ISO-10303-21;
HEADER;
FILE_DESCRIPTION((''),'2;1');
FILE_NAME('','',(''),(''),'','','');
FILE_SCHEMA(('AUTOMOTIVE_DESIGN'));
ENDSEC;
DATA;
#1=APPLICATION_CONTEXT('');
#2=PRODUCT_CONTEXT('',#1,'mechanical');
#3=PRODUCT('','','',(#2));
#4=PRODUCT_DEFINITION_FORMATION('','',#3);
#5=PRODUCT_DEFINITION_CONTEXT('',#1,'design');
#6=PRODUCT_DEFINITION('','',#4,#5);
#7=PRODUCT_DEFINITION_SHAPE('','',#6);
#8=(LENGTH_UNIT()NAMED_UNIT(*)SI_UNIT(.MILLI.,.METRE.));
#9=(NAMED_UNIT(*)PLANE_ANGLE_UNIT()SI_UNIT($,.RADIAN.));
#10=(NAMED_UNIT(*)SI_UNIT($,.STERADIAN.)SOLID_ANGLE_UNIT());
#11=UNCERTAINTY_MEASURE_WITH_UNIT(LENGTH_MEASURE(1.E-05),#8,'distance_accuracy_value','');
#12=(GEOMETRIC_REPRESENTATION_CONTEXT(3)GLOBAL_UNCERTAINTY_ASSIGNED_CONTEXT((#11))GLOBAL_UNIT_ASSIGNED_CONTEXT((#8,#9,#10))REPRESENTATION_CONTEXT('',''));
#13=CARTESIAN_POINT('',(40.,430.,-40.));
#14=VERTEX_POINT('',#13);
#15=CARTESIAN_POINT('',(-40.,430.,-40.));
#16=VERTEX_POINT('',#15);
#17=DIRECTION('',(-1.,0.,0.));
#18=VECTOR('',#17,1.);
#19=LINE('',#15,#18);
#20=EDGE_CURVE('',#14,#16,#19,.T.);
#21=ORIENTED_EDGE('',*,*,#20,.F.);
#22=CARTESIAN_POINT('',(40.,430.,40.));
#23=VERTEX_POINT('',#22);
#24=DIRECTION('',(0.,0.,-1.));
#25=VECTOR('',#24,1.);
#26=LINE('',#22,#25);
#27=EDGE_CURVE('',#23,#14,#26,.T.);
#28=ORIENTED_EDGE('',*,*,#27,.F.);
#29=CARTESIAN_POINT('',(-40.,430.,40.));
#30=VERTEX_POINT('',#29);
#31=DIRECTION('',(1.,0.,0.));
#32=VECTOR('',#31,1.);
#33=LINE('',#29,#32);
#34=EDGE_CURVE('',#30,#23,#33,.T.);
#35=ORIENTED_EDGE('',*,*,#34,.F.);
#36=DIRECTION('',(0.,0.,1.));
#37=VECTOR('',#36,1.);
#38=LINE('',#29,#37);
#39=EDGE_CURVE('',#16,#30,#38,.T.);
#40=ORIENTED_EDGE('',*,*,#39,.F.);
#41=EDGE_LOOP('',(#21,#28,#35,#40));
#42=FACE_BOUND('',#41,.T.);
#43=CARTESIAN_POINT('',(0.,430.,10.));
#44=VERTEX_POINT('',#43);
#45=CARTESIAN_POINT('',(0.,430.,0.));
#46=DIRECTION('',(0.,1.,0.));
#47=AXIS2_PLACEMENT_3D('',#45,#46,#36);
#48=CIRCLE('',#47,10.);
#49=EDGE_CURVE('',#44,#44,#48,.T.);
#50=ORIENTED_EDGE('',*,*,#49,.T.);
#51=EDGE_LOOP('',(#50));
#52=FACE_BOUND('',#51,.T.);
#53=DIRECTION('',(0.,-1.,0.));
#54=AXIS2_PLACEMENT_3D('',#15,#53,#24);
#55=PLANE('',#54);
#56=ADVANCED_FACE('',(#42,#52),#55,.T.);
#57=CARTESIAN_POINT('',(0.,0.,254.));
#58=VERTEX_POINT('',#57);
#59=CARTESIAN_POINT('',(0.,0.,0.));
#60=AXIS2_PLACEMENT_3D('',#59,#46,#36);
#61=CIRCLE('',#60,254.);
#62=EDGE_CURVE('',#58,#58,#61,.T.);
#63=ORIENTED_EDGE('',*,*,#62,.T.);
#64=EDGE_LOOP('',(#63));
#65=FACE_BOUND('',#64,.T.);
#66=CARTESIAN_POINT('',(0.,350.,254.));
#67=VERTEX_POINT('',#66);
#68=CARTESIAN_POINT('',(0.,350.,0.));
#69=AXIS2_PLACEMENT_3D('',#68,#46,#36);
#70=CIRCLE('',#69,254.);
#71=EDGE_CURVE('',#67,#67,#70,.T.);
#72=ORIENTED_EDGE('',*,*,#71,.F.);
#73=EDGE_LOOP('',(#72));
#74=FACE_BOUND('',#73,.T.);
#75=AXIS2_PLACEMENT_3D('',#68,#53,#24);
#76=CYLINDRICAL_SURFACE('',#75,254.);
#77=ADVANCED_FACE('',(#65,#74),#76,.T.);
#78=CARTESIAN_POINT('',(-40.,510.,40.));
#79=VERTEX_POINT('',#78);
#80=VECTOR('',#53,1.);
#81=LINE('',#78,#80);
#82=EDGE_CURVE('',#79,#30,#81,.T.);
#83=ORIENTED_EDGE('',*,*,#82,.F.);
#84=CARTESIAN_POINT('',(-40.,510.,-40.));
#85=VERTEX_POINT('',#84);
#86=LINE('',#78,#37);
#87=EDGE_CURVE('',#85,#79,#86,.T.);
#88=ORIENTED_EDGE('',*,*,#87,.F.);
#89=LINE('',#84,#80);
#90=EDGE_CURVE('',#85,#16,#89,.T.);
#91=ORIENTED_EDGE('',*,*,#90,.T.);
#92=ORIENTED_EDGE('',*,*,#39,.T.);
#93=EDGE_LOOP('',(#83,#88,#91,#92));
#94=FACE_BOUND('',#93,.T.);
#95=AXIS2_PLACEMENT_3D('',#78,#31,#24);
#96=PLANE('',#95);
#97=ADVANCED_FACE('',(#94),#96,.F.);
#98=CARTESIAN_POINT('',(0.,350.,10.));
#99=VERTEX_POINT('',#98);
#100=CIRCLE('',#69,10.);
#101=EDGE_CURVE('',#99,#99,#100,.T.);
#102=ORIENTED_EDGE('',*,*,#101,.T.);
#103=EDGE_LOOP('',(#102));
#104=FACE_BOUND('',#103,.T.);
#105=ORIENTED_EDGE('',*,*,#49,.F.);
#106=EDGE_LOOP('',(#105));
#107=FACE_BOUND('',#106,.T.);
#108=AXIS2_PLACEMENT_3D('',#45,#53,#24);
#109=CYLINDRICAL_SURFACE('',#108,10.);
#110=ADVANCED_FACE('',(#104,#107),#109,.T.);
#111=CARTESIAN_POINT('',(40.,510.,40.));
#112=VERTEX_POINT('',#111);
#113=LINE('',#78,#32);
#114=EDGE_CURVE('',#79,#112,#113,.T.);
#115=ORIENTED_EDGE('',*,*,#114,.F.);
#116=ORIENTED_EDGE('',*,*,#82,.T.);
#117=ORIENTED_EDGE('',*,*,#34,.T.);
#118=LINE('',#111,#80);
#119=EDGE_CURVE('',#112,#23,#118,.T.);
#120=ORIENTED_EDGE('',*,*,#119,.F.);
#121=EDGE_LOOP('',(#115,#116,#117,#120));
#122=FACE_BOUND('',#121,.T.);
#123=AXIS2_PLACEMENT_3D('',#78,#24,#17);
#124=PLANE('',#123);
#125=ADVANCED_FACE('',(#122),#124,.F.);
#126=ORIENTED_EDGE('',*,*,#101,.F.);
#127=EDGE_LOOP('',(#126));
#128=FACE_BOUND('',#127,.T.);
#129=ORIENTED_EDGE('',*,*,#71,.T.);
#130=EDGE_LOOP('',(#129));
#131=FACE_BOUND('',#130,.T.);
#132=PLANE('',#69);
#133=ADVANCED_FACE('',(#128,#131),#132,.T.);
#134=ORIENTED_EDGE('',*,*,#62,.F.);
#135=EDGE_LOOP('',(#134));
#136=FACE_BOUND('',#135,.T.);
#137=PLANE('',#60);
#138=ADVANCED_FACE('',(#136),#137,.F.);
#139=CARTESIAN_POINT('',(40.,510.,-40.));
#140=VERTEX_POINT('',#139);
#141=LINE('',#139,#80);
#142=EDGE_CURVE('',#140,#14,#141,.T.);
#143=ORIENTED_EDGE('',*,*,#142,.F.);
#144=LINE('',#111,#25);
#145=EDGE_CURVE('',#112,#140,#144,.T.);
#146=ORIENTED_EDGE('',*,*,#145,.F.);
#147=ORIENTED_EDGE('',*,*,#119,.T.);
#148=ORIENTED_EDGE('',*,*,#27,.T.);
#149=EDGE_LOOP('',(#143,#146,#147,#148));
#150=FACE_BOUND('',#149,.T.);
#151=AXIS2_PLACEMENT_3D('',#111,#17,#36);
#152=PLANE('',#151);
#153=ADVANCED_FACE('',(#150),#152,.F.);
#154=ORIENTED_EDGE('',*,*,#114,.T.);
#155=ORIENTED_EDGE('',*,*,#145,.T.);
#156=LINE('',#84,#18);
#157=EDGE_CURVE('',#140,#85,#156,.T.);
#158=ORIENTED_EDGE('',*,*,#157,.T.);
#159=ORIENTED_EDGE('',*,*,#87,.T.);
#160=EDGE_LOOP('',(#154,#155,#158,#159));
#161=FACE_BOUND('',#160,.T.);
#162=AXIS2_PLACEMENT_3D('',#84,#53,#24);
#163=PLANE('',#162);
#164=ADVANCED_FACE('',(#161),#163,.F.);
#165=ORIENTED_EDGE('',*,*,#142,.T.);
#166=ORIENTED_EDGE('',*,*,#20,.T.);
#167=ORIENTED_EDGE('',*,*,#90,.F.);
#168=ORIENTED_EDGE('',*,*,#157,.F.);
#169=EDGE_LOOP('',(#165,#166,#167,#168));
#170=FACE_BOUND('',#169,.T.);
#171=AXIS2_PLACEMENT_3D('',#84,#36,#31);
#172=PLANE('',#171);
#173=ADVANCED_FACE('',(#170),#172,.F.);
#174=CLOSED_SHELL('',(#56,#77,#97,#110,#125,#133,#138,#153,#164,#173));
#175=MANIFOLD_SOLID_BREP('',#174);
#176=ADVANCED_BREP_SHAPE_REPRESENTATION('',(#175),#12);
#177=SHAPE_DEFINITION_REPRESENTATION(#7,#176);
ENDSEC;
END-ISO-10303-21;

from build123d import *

# Parameters (mm, degrees)
ESQUISSE1_R      = 254
EXTRUSION1_DEPTH = 350
ESQUISSE2_R      = 10
EXTRUSION2_DEPTH = 80
ESQUISSE3_W      = 80
ESQUISSE3_H      = 80
EXTRUSION3_DEPTH = 80


with BuildPart() as part:
    # Esquisse1 → Extrusion1 (new body)
    with BuildSketch(Plane(origin=(0, 0, 0), x_dir=(1, 0, 0), z_dir=(0, 1, 0))):
        Circle(ESQUISSE1_R)
    extrude(amount=EXTRUSION1_DEPTH)

    # Esquisse2 → Extrusion2 (add)
    with BuildSketch(Plane(origin=(0, 350, 0), x_dir=(1, 0, 0), z_dir=(0, 1, 0))):
        Circle(ESQUISSE2_R)
    extrude(amount=EXTRUSION2_DEPTH)

    # Esquisse3 → Extrusion3 (add)
    with BuildSketch(Plane(origin=(0, 430, 0), x_dir=(1, 0, 0), z_dir=(0, 1, 0))):
        Rectangle(ESQUISSE3_W, ESQUISSE3_H)
    extrude(amount=EXTRUSION3_DEPTH)


solid = part.part
